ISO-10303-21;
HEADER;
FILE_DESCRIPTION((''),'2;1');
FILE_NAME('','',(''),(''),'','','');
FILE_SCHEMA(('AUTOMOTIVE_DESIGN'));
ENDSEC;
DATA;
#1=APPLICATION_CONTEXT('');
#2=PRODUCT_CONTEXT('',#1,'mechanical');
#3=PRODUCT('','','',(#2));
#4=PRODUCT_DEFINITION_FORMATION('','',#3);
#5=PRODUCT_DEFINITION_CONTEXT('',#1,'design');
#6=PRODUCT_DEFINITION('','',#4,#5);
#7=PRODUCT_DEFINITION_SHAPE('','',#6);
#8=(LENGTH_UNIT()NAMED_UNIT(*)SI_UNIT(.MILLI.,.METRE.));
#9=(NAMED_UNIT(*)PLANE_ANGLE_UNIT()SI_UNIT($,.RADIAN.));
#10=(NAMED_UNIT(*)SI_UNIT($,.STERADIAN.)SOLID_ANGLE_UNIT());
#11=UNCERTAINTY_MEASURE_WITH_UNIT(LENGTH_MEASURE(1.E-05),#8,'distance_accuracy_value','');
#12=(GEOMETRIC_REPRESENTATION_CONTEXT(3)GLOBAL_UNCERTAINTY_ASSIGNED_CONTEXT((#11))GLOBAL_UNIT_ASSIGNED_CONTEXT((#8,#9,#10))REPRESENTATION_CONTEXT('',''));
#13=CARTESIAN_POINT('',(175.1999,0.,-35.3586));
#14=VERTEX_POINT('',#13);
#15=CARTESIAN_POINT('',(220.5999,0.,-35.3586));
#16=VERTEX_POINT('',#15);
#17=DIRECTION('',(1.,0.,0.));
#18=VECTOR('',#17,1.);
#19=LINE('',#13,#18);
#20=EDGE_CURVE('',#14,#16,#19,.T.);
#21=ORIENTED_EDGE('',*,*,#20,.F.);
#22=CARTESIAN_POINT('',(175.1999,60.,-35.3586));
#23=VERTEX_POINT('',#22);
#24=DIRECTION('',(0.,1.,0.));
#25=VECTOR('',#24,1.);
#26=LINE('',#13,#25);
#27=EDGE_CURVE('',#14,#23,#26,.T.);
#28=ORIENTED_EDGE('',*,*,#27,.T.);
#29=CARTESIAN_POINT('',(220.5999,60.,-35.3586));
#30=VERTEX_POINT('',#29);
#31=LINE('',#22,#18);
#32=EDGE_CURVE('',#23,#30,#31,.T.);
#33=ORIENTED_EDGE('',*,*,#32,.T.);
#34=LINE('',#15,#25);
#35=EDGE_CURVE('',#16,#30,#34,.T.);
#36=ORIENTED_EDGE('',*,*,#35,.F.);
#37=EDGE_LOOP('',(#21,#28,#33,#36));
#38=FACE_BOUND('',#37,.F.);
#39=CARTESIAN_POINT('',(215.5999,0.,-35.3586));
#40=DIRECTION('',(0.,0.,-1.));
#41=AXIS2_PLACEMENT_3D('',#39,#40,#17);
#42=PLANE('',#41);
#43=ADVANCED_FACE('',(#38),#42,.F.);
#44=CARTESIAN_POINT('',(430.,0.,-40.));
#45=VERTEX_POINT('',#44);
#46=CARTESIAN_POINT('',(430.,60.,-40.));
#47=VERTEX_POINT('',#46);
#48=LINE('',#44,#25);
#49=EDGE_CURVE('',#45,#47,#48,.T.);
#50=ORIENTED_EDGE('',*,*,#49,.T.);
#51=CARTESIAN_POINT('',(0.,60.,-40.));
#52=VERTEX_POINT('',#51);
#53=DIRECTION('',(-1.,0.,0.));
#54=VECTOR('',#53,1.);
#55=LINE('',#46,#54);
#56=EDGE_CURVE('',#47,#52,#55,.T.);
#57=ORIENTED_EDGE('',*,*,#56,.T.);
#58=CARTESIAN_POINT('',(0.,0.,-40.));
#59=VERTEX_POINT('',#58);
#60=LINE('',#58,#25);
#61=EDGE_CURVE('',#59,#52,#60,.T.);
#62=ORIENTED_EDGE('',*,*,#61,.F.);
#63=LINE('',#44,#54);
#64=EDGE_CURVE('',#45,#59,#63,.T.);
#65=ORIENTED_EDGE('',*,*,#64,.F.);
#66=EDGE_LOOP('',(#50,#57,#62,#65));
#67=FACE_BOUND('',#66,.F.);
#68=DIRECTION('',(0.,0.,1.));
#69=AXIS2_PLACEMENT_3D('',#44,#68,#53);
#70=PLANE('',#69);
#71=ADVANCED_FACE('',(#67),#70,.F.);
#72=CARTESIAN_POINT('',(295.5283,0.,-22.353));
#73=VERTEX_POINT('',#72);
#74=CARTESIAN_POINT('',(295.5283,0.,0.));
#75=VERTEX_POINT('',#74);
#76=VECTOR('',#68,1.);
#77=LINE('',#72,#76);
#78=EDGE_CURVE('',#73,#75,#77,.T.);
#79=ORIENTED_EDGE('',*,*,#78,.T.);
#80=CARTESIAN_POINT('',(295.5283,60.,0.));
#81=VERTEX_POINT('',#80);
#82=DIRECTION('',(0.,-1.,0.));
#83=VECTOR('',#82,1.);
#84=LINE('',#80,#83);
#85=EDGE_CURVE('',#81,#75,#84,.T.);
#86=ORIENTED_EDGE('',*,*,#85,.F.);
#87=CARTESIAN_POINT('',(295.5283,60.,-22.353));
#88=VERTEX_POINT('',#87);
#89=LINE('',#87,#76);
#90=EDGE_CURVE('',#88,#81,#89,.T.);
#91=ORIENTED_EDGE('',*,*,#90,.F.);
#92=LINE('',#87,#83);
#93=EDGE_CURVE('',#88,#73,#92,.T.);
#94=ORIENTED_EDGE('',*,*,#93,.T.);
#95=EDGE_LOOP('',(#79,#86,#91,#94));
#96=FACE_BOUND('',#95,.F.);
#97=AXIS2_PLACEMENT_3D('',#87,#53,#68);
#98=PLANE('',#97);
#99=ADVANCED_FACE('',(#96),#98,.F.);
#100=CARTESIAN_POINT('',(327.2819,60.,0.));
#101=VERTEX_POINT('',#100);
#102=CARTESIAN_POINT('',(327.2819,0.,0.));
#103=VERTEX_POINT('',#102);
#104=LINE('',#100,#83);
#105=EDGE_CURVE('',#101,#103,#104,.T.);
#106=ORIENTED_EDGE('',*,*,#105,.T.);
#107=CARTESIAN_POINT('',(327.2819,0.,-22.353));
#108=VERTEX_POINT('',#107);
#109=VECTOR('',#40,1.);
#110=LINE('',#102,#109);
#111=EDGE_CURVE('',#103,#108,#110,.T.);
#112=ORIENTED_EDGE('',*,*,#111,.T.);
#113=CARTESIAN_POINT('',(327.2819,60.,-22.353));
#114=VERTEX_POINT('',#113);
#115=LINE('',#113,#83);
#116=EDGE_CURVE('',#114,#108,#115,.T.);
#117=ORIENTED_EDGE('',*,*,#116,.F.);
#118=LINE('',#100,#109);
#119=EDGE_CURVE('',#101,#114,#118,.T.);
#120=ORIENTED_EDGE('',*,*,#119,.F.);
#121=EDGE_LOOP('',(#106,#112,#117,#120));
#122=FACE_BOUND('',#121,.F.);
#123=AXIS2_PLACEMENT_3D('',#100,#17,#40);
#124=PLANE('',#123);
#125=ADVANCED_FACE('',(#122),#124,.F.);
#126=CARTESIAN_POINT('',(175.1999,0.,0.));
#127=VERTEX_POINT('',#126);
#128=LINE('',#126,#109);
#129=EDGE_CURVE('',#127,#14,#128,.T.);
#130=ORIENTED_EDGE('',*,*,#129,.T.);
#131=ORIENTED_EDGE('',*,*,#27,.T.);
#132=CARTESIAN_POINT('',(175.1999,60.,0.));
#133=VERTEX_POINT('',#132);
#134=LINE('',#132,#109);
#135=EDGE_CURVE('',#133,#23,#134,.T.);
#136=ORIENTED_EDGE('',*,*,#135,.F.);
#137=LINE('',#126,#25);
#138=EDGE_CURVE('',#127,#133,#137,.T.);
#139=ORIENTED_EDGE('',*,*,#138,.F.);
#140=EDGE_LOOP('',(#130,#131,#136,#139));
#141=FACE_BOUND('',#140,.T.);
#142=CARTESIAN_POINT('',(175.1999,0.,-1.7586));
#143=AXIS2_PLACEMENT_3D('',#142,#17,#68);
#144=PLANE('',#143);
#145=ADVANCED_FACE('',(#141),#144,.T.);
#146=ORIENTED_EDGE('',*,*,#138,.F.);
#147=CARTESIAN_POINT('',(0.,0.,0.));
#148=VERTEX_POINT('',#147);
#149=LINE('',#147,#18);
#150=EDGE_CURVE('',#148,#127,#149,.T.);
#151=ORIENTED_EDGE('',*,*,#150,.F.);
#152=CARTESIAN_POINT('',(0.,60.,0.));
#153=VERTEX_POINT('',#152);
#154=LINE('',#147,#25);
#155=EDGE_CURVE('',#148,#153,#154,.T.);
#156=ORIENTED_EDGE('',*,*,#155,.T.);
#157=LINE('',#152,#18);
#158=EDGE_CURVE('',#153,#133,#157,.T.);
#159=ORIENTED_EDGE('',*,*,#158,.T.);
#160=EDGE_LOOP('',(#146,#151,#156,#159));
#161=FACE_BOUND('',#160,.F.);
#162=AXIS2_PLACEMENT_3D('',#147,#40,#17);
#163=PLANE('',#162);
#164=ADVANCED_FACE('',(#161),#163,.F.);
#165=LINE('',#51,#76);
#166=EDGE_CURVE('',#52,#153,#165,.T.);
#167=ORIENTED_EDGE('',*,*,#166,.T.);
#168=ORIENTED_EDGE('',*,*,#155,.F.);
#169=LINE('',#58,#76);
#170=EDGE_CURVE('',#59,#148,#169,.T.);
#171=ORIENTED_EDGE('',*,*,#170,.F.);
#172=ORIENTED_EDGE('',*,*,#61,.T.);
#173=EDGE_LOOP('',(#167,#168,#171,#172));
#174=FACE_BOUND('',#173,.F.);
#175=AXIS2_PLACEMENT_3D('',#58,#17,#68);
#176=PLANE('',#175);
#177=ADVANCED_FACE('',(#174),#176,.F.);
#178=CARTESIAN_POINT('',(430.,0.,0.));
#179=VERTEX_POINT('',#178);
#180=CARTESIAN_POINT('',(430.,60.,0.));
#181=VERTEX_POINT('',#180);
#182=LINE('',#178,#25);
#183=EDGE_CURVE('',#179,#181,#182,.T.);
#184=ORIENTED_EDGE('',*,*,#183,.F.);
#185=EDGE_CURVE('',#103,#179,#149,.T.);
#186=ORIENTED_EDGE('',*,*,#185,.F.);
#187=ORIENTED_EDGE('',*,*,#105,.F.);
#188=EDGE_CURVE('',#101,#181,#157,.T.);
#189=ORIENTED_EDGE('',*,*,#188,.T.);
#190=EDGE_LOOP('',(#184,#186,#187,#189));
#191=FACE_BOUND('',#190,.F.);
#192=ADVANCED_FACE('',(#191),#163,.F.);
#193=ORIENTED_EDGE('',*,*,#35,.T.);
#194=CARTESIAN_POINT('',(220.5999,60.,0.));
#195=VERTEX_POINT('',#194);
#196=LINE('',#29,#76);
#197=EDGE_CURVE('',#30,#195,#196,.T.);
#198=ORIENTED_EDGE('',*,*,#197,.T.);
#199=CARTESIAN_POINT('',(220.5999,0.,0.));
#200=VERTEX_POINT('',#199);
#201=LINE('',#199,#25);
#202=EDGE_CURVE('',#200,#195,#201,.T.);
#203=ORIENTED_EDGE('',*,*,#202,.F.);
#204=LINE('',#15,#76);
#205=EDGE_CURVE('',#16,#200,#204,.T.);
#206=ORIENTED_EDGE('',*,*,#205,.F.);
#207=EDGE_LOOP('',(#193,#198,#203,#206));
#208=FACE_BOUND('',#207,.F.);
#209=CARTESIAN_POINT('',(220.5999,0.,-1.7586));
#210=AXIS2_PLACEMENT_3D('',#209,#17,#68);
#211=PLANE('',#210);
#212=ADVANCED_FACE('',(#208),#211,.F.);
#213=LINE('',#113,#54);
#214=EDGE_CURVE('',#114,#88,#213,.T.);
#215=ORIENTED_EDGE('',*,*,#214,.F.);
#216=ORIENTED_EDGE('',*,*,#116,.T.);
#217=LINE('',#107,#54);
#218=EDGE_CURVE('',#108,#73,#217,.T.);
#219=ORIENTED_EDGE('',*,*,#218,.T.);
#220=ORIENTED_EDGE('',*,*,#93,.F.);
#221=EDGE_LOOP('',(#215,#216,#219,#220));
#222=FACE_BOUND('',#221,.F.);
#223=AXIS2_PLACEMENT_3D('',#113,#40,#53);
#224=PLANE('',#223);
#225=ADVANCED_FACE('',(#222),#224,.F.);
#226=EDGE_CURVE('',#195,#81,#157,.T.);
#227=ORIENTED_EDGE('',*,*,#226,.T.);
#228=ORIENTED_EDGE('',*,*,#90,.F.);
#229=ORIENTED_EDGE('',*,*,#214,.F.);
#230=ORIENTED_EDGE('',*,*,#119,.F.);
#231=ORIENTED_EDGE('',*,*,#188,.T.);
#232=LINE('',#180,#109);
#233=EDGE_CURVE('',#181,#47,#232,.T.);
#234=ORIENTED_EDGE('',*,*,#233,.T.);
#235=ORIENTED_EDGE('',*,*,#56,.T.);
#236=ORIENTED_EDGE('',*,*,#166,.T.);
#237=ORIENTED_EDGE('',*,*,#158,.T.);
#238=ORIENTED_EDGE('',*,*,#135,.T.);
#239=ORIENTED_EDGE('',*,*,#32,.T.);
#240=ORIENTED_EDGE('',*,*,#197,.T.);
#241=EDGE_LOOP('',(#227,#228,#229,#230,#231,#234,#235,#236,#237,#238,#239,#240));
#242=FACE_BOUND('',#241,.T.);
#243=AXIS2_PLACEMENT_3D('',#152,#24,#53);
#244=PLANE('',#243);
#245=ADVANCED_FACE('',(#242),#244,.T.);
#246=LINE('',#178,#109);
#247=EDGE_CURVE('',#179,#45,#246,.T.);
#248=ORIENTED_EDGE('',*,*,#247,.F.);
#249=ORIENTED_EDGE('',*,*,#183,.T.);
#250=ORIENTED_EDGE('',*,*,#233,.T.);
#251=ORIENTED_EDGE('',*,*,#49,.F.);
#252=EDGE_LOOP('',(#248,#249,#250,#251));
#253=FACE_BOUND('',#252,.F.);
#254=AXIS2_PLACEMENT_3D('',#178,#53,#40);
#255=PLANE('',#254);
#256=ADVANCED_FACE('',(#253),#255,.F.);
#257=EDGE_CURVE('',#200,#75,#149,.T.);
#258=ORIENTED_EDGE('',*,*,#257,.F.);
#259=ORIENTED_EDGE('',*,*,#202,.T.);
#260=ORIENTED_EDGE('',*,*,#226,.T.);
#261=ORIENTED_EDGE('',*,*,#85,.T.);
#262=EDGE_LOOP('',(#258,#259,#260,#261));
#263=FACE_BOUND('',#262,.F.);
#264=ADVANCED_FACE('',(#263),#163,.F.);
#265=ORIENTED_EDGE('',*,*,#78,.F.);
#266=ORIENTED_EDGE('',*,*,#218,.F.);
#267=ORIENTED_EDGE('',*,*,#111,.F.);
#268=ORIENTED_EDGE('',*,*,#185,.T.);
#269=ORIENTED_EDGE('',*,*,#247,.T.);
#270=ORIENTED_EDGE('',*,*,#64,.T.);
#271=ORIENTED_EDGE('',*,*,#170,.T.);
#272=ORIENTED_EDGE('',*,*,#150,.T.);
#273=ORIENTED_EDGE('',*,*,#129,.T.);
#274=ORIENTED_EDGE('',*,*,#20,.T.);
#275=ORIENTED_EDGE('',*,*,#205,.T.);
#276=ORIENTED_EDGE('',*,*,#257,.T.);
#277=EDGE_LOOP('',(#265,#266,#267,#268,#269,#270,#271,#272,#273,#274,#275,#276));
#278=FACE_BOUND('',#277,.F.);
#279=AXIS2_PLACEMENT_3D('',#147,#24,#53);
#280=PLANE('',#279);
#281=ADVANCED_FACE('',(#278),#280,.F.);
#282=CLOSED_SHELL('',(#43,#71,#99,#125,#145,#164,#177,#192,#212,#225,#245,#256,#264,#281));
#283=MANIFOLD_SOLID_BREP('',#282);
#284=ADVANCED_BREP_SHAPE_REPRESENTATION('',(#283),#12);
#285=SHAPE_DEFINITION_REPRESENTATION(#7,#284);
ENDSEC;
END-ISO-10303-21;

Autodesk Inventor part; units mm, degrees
ref_plane "YZ Plane" through (0, 0, 0) normal (1, 0, 0) x (0, 1, 0)
ref_plane "XZ Plane" through (0, 0, 0) normal (0, 1, 0) x (-1, 0, 0)
ref_plane "XY Plane" through (0, 0, 0) normal (0, 0, 1) x (1, 0, 0)
sketch "Sketch1" plane through (0, 0, 0) normal (0, 1, 0) x (-1, 0, 0)
  line L0 (0, 0) -> (-430, 0)
  line L1 (-430, 0) -> (-430, -40)
  line L2 (-430, -40) -> (0, -40)
  line L3 (0, -40) -> (0, 0)
  dimension "d0" = 430
  dimension "d1" = 40
extrude "Extrusion1" add sketch "Sketch1" along normal blind 60
sketch "Sketch2" plane through (0, 0, 0) normal (0, -1, 0) x (1, 0, 0)
  line L0 (430, 0) -> (430, -40)
  line L1 (430, -40) -> (0, -40)
  line L2 (361.5161, 0) -> (430, 0)
  line L3 (180.1999, -1.7586) -> (180.1999, -32.3586)
  line L4 (215.5999, -1.7586) -> (180.1999, -1.7586)
  line L5 (215.5999, -32.3586) -> (215.5999, -1.7586)
  line L6 (180.1999, -32.3586) -> (215.5999, -32.3586)
  line L7 (215.5999, -1.7586) -> (220.5999, -1.7586)
  line L8 (180.1999, -1.7586) -> (175.1999, -1.7586)
  line L9 (175.1999, -1.7586) -> (175.1999, 0)
  line L10 (430, -40) -> (0, -40) projected
  line L11 (220.5999, -1.7586) -> (220.5999, 0)
  line L12 (215.5999, -32.3586) -> (215.5999, -35.3586)
  line L13 (215.5999, -32.3586) -> (212.5999, -32.3586) construction
  line L14 (220.5999, 0) -> (175.1999, 0)
  line L15 (175.1999, 0) -> (175.1999, -35.3586)
  line L16 (175.1999, -35.3586) -> (220.5999, -35.3586)
  line L17 (220.5999, -35.3586) -> (220.5999, 0)
  point P0 (0, 0)
  point P1 (430, -40)
  dimension "d4" = 5
  dimension "d5" = 5
  dimension "d7" = 3
  dimension "d8" = 90
extrude "Extrusion2" cut sketch "Sketch2" against normal blind 60
sketch "Sketch4" plane through (0, 60, 0) normal (0, 1, 0) x (1, 0, 0)
  line L0 (220.5999, 0) -> (430, 0)
  line L1 (430, 40) -> (0, 40)
  line L2 (220.5999, 35.3586) -> (220.5999, 0)
  line L3 (175.1999, 0) -> (175.1999, 35.3586)
  line L4 (175.1999, 35.3586) -> (220.5999, 35.3586)
  line L5 (0, 0) -> (175.1999, 0)
  line L6 (300.8442, 17.7835) -> (300.8442, 2.5435)
  line L7 (321.1642, 2.5435) -> (321.1642, 17.7835)
  line L8 (300.8442, 2.5435) -> (321.1642, 2.5435)
  line L9 (321.1642, 17.7835) -> (300.8442, 17.7835)
  line L10 (220.5999, 0) -> (430, 0) projected
  line L11 (295.5283, 0) -> (327.2819, 0)
  line L12 (327.2819, 0) -> (327.2819, 22.353)
  line L13 (327.2819, 22.353) -> (295.5283, 22.353)
  line L14 (295.5283, 22.353) -> (295.5283, 0)
extrude "Extrusion3" cut sketch "Sketch4" against normal blind 60 contours L14 L13 L12 L0 | L9 L7 L8 L6
properties part number "Cadru_2"
